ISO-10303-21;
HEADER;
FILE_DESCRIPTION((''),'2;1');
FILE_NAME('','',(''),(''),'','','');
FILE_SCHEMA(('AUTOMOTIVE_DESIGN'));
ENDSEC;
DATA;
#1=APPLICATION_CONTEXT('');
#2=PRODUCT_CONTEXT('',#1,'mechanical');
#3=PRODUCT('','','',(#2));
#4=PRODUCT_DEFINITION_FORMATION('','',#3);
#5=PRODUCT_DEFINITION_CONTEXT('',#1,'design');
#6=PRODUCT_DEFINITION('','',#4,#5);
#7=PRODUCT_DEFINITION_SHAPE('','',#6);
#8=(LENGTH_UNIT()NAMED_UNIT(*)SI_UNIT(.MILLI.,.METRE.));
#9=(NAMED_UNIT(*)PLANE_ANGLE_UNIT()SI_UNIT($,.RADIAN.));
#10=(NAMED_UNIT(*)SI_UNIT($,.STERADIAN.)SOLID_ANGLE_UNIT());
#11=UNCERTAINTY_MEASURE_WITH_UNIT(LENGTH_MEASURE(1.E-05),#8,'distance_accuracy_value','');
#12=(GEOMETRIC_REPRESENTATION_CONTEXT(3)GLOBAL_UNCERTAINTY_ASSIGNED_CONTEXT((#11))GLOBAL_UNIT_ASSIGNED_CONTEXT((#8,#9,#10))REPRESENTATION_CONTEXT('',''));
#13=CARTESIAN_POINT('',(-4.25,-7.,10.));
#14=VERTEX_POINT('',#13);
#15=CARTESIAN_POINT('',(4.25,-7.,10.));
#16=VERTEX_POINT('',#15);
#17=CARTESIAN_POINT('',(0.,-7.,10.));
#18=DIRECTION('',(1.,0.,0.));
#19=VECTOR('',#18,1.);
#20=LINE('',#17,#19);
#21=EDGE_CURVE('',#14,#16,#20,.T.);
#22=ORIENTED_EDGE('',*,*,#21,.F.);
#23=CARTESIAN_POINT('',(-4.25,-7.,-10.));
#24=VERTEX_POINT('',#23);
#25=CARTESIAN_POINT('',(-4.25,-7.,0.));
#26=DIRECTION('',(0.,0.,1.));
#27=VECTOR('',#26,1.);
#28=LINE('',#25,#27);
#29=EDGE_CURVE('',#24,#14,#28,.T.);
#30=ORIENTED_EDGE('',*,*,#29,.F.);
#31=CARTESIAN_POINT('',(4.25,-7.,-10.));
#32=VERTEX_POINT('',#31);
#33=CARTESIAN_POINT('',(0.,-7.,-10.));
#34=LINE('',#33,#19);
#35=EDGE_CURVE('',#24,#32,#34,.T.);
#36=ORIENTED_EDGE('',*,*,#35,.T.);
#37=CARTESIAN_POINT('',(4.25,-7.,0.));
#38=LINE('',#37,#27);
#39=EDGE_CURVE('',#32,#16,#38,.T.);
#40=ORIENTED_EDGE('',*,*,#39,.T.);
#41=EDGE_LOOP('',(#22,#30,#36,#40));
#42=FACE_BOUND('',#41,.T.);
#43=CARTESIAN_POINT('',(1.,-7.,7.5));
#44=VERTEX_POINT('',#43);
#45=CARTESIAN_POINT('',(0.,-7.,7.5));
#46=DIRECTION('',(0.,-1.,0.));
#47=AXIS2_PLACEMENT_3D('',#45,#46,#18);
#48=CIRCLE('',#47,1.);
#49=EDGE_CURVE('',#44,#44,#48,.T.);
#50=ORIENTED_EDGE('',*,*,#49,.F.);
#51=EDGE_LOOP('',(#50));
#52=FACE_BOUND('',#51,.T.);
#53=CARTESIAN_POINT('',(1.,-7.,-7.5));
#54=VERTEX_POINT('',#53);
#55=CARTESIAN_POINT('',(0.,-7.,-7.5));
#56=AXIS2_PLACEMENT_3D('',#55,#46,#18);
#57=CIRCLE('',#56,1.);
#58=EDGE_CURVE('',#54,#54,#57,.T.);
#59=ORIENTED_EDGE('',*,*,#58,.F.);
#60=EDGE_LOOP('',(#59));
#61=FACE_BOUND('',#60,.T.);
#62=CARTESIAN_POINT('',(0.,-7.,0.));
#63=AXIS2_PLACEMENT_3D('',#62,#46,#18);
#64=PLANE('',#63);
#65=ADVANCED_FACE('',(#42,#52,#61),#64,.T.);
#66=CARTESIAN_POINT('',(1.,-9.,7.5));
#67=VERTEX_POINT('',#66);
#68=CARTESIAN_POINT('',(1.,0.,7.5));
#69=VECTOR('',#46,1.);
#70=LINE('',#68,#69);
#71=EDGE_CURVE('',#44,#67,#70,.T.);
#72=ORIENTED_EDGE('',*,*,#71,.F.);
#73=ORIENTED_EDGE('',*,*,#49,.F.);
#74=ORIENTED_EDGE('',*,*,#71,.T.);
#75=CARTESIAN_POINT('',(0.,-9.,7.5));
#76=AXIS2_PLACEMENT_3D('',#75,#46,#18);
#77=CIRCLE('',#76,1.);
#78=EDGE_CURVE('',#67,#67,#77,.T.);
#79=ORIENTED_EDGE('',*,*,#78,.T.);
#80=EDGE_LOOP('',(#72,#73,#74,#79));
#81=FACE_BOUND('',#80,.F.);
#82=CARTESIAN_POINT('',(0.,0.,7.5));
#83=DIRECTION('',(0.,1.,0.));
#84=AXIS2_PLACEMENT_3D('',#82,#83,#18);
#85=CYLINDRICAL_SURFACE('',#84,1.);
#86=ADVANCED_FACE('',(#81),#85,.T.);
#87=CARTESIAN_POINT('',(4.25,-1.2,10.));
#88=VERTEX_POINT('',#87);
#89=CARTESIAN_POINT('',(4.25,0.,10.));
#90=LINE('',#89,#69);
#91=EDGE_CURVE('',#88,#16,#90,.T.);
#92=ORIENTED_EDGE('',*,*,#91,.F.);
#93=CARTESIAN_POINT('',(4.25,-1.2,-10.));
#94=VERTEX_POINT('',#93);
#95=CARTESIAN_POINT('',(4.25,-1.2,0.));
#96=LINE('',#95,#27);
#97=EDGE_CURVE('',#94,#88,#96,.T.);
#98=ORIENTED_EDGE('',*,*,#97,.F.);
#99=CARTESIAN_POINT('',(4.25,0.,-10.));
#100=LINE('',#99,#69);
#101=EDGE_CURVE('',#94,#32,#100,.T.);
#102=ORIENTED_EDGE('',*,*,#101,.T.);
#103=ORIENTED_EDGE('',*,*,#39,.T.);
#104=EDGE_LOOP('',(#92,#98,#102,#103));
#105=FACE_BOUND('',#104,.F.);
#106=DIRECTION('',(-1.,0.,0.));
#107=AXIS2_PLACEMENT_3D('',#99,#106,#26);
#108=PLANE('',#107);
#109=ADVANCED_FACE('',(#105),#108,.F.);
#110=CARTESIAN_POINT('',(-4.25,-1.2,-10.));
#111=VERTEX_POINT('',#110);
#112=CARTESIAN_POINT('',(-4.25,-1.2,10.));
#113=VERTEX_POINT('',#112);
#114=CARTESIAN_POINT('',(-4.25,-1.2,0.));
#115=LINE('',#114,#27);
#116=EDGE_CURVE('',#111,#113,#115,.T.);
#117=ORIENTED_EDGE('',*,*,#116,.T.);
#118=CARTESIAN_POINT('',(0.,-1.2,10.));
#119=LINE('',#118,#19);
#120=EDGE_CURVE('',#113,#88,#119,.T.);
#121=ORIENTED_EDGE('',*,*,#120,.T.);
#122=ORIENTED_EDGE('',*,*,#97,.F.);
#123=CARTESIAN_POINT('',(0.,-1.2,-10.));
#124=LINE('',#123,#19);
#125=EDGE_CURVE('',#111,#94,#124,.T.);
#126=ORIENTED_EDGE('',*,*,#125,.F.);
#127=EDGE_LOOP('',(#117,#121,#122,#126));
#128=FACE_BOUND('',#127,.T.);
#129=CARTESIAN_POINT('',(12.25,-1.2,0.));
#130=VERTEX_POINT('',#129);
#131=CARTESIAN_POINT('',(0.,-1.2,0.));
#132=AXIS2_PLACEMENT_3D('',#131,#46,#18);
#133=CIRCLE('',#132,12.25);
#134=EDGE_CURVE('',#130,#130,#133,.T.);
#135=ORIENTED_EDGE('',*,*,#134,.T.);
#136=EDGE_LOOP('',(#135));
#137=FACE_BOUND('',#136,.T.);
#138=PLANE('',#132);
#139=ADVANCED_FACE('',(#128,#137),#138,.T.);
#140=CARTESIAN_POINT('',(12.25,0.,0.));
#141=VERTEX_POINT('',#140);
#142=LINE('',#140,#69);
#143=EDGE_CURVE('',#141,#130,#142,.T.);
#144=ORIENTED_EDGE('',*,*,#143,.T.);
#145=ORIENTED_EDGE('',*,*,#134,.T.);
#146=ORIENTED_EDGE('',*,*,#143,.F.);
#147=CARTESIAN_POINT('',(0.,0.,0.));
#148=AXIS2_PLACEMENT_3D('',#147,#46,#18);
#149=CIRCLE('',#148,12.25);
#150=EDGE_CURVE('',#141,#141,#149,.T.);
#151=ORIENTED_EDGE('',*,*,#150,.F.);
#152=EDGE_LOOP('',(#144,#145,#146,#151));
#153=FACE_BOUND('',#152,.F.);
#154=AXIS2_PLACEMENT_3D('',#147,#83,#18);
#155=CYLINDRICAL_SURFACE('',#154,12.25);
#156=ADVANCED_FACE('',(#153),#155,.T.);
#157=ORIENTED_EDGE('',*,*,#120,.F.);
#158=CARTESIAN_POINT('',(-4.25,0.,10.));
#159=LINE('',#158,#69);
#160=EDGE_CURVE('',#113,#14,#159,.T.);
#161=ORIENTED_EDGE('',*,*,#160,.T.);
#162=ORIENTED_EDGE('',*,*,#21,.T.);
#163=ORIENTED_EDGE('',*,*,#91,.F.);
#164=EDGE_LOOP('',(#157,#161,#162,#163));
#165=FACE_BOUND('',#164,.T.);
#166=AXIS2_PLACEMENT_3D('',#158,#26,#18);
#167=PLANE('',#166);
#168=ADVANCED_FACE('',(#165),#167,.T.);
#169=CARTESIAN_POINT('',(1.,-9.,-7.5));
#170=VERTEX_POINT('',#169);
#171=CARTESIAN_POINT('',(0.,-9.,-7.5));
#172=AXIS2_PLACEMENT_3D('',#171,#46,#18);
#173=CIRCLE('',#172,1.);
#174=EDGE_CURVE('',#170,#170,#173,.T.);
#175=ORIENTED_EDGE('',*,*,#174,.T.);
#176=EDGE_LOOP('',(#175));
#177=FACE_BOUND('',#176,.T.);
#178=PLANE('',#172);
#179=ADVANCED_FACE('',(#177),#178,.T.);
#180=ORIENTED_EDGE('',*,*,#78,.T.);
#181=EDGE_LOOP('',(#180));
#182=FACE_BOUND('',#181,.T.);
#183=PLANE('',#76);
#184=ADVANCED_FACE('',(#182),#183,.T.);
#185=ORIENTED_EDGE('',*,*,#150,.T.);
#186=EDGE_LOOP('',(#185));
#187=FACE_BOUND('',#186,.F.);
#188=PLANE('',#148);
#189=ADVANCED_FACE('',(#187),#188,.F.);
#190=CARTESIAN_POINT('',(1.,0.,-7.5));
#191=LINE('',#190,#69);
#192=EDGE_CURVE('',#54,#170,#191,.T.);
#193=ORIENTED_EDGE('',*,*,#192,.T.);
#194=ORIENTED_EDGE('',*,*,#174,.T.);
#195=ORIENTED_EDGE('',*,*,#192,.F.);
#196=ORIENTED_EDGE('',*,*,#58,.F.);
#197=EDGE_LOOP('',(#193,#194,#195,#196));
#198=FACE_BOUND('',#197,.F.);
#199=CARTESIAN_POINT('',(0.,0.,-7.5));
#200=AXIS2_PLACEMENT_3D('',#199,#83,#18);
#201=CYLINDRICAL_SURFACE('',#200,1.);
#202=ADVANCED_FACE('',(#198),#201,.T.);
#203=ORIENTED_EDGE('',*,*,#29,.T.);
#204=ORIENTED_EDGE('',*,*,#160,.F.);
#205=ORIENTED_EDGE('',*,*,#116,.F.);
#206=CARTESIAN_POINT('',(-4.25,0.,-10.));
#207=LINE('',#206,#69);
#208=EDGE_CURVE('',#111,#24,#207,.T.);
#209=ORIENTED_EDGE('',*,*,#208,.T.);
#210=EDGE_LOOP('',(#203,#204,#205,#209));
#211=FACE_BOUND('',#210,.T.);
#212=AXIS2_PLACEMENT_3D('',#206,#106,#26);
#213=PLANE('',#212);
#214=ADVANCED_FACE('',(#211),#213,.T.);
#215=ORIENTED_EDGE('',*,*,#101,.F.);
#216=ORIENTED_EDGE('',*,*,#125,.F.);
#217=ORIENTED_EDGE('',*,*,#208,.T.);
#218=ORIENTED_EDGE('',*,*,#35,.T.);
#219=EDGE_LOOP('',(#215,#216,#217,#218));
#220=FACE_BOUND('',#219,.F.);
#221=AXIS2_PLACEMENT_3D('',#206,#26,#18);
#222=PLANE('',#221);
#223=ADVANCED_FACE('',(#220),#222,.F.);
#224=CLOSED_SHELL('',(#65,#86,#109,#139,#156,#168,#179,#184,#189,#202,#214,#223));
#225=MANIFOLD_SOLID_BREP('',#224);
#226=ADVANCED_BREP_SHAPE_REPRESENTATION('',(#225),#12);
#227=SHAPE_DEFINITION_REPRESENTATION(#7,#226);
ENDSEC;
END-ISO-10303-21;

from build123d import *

# Parameters (mm, degrees)
F0_R     = 12.25
F0_W     = 8.5
F0_H     = 20
F1_DEPTH = 1.2
F0_R_2   = 1
F2_DEPTH = 7
F3_DEPTH = 9


with BuildPart() as f1:
    # F0 (on Front) → F1 (new body)
    with BuildSketch(Plane.XZ):
        Circle(F0_R)
        Rectangle(F0_W, F0_H, mode=Mode.SUBTRACT)
    extrude(amount=F1_DEPTH)

    # F0 (on Front) → F2 (join)
    with BuildSketch(Plane.XZ):
        Rectangle(F0_W, F0_H)
        with Locations((0, -7.5)):
            Circle(F0_R_2, mode=Mode.SUBTRACT)
        with Locations((0, 7.5)):
            Circle(F0_R_2, mode=Mode.SUBTRACT)
    extrude(amount=F2_DEPTH)

    # F0 (on Front) → F3 (join)
    with BuildSketch(Plane.XZ):
        with Locations((0, 7.5)):
            Circle(F0_R_2)
        with Locations((0, -7.5)):
            Circle(F0_R_2)
    extrude(amount=F3_DEPTH)


solid = f1.part
